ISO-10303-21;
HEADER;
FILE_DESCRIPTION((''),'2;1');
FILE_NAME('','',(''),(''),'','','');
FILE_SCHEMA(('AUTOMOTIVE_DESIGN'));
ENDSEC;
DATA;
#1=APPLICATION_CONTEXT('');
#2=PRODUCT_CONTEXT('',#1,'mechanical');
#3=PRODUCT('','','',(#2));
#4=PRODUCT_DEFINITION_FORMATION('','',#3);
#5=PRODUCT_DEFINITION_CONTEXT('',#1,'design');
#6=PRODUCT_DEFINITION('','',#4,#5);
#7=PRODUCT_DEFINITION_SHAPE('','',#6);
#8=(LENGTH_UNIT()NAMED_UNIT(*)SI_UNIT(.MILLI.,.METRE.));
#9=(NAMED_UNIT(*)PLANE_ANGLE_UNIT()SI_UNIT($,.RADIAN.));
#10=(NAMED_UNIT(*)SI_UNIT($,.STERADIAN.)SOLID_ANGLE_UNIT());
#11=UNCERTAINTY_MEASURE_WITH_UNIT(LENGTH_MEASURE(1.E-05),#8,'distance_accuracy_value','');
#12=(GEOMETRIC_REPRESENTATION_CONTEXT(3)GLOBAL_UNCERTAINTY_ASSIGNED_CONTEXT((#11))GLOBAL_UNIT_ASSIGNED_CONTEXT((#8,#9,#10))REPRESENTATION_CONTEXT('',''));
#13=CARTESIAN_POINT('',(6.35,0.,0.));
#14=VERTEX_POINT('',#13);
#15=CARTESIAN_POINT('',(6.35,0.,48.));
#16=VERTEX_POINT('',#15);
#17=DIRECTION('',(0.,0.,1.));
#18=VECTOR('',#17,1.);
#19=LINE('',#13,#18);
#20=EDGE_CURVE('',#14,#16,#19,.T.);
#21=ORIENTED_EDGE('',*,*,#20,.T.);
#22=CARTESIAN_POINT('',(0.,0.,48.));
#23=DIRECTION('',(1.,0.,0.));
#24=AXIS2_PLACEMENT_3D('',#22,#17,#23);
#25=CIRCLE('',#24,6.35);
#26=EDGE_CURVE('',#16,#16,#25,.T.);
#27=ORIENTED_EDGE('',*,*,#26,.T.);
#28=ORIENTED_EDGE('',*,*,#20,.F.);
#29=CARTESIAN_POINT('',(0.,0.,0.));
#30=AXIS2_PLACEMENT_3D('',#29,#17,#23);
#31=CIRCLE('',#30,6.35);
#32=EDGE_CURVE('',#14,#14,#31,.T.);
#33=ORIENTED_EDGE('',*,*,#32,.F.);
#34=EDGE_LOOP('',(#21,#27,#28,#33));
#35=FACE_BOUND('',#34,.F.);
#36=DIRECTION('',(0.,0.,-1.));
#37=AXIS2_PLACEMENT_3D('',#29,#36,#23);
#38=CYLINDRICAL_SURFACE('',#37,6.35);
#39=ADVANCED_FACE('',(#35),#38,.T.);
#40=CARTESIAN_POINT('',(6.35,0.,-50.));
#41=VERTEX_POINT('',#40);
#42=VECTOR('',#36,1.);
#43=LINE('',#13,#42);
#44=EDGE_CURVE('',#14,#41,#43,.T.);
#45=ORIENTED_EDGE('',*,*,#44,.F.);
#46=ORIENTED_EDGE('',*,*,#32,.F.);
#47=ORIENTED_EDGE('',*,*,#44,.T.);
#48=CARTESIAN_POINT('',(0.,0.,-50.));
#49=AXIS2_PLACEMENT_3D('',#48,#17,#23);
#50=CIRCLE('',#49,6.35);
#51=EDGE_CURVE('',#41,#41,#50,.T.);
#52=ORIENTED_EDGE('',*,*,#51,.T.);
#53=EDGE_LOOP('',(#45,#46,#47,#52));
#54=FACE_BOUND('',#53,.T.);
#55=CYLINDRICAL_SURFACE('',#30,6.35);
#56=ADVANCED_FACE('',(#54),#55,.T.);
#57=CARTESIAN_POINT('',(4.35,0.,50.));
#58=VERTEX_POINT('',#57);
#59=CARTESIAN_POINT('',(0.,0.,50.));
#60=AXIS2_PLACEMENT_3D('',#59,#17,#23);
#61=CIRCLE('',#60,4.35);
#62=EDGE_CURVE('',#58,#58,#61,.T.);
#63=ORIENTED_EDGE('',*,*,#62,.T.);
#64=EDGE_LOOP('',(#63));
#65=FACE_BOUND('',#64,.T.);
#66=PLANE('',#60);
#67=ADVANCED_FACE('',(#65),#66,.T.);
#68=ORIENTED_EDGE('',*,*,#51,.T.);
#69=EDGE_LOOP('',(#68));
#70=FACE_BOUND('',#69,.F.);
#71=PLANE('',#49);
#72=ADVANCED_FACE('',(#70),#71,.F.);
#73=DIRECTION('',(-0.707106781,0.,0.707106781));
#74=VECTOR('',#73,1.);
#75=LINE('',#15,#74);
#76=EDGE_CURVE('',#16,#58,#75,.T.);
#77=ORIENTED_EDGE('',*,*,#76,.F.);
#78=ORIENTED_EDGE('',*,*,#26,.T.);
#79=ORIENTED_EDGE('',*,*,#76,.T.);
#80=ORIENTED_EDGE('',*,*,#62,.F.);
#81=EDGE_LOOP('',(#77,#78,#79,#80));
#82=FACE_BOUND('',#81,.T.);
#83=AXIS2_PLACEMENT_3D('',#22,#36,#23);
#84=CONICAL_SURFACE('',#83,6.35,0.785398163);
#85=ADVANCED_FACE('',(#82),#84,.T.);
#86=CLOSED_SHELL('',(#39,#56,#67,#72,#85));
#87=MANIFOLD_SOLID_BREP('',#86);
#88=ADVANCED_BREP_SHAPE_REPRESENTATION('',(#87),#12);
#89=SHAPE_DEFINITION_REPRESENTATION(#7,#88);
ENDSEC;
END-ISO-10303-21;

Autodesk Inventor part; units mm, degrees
sketch "Sketch1" plane through (0, 0, 0) normal (0, 0, 1) x (1, 0, 0)
  circle A0 centre (0, 0) radius 6.35
  dimension "d1" = 12.7
extrude "Extrusion1" add sketch "Sketch1" along normal mid plane 100
chamfer "Chamfer1" distance 2 angle 45 1 edges at (-6.35, 0, 50)
properties part number "1.FRP.000.006.ipt" material "ASTM A36"
